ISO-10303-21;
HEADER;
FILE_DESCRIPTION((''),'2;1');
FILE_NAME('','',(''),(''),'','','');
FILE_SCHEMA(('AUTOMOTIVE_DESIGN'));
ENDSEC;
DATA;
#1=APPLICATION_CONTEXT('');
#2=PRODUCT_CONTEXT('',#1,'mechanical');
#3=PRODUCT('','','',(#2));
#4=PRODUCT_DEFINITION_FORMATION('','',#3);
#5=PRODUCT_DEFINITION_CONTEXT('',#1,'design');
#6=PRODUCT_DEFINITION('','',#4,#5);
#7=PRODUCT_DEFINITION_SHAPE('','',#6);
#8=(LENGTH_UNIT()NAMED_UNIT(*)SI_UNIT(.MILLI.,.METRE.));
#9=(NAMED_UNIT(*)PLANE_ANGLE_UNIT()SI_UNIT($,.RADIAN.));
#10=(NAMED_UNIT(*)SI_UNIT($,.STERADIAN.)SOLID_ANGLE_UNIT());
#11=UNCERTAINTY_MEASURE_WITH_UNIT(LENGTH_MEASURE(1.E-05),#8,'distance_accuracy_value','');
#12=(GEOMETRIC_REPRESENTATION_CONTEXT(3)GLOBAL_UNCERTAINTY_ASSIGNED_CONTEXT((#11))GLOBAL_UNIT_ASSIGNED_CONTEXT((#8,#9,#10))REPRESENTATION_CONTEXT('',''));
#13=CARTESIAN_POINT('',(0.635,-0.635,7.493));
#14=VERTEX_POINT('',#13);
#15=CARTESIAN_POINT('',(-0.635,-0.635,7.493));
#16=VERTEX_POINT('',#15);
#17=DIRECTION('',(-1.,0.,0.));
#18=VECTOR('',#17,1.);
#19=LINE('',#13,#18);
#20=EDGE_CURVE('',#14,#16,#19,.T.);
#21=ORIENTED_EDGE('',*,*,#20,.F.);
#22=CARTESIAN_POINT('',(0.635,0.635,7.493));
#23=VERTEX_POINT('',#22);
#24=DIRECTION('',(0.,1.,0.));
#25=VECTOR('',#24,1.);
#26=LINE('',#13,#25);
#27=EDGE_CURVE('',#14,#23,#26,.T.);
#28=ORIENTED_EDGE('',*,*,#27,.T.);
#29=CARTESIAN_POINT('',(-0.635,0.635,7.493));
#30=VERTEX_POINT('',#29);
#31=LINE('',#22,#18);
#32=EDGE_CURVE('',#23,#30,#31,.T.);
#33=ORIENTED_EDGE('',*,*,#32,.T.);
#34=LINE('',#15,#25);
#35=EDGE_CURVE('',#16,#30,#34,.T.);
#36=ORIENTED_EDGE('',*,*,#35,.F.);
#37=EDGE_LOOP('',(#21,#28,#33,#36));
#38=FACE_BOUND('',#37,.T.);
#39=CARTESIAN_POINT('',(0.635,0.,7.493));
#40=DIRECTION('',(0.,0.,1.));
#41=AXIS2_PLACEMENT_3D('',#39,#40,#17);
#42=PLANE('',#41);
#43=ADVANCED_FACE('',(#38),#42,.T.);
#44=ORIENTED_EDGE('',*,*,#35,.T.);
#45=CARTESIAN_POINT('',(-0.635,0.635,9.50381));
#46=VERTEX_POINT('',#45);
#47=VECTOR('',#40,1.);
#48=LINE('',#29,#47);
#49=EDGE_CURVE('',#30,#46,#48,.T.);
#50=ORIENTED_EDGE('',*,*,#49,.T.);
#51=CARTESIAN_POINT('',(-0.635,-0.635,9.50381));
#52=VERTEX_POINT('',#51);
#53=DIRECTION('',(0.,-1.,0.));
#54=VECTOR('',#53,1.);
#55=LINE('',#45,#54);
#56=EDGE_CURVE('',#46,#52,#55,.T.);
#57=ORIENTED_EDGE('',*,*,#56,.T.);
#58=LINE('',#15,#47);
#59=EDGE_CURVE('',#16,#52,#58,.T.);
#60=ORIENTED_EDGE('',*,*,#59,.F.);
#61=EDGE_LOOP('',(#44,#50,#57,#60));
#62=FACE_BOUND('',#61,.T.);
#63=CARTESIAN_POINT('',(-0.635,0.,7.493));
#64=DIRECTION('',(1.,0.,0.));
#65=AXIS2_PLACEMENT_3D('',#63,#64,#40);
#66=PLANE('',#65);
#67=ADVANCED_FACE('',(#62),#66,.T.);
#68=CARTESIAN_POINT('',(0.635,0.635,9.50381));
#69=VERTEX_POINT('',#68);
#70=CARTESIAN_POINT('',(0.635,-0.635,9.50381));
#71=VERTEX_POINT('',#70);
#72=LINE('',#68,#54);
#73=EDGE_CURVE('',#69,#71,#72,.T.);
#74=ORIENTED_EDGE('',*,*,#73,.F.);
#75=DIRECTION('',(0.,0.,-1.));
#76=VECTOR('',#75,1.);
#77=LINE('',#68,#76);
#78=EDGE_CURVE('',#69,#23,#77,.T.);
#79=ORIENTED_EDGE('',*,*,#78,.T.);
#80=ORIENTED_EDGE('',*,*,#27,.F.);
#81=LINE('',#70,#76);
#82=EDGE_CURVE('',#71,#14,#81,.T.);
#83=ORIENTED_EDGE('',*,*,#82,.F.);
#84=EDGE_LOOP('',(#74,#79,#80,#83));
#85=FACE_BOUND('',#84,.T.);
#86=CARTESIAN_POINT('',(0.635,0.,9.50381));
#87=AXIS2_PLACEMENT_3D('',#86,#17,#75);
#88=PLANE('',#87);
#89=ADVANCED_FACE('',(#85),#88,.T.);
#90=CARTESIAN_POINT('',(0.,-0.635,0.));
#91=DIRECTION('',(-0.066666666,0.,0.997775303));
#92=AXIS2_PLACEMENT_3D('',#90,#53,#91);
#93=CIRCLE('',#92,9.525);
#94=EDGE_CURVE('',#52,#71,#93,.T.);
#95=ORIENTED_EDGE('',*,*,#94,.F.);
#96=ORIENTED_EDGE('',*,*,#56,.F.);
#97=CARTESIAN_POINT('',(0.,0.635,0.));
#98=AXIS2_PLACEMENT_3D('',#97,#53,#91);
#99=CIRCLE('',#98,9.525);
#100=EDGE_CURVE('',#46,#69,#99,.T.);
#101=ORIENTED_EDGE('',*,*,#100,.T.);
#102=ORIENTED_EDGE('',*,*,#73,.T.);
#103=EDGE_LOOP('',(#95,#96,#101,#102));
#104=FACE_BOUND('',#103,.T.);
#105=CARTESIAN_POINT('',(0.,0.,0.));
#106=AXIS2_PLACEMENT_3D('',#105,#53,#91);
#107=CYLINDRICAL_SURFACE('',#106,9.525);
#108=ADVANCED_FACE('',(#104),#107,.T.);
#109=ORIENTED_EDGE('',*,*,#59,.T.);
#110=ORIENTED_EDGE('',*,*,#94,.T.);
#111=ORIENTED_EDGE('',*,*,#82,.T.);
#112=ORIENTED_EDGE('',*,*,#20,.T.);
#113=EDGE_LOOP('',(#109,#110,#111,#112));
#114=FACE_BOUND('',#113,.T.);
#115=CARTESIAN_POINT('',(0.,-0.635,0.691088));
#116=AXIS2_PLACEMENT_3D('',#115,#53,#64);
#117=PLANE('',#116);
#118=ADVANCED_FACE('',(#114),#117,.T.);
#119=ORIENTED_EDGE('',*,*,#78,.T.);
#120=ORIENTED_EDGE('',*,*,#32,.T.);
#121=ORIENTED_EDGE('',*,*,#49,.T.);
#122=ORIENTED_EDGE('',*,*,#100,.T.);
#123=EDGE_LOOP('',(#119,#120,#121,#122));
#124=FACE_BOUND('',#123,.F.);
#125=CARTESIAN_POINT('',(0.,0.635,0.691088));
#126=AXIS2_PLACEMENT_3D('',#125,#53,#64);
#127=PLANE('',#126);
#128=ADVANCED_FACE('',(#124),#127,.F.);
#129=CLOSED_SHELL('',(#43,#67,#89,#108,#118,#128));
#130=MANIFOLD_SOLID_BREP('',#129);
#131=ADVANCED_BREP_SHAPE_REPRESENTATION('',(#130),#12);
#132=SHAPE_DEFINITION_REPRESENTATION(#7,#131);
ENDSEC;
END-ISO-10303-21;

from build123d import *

# Parameters (mm, degrees)
F1_DEPTH = 0.635


with BuildPart() as f1:
    # F0 (on Front) → F1 (new body, symmetric)
    with BuildSketch(Plane.XZ):
        with BuildLine():
            Line((-0.635, 7.493), (-0.635, 9.50381))
            ThreePointArc((-0.635, 9.50381), (0, -9.525), (0.635, 9.50381))
            Line((0.635, 9.50381), (0.635, 7.493))
            Line((0.635, 7.493), (-0.635, 7.493))
        make_face()
    extrude(amount=F1_DEPTH, both=True)


solid = f1.part
